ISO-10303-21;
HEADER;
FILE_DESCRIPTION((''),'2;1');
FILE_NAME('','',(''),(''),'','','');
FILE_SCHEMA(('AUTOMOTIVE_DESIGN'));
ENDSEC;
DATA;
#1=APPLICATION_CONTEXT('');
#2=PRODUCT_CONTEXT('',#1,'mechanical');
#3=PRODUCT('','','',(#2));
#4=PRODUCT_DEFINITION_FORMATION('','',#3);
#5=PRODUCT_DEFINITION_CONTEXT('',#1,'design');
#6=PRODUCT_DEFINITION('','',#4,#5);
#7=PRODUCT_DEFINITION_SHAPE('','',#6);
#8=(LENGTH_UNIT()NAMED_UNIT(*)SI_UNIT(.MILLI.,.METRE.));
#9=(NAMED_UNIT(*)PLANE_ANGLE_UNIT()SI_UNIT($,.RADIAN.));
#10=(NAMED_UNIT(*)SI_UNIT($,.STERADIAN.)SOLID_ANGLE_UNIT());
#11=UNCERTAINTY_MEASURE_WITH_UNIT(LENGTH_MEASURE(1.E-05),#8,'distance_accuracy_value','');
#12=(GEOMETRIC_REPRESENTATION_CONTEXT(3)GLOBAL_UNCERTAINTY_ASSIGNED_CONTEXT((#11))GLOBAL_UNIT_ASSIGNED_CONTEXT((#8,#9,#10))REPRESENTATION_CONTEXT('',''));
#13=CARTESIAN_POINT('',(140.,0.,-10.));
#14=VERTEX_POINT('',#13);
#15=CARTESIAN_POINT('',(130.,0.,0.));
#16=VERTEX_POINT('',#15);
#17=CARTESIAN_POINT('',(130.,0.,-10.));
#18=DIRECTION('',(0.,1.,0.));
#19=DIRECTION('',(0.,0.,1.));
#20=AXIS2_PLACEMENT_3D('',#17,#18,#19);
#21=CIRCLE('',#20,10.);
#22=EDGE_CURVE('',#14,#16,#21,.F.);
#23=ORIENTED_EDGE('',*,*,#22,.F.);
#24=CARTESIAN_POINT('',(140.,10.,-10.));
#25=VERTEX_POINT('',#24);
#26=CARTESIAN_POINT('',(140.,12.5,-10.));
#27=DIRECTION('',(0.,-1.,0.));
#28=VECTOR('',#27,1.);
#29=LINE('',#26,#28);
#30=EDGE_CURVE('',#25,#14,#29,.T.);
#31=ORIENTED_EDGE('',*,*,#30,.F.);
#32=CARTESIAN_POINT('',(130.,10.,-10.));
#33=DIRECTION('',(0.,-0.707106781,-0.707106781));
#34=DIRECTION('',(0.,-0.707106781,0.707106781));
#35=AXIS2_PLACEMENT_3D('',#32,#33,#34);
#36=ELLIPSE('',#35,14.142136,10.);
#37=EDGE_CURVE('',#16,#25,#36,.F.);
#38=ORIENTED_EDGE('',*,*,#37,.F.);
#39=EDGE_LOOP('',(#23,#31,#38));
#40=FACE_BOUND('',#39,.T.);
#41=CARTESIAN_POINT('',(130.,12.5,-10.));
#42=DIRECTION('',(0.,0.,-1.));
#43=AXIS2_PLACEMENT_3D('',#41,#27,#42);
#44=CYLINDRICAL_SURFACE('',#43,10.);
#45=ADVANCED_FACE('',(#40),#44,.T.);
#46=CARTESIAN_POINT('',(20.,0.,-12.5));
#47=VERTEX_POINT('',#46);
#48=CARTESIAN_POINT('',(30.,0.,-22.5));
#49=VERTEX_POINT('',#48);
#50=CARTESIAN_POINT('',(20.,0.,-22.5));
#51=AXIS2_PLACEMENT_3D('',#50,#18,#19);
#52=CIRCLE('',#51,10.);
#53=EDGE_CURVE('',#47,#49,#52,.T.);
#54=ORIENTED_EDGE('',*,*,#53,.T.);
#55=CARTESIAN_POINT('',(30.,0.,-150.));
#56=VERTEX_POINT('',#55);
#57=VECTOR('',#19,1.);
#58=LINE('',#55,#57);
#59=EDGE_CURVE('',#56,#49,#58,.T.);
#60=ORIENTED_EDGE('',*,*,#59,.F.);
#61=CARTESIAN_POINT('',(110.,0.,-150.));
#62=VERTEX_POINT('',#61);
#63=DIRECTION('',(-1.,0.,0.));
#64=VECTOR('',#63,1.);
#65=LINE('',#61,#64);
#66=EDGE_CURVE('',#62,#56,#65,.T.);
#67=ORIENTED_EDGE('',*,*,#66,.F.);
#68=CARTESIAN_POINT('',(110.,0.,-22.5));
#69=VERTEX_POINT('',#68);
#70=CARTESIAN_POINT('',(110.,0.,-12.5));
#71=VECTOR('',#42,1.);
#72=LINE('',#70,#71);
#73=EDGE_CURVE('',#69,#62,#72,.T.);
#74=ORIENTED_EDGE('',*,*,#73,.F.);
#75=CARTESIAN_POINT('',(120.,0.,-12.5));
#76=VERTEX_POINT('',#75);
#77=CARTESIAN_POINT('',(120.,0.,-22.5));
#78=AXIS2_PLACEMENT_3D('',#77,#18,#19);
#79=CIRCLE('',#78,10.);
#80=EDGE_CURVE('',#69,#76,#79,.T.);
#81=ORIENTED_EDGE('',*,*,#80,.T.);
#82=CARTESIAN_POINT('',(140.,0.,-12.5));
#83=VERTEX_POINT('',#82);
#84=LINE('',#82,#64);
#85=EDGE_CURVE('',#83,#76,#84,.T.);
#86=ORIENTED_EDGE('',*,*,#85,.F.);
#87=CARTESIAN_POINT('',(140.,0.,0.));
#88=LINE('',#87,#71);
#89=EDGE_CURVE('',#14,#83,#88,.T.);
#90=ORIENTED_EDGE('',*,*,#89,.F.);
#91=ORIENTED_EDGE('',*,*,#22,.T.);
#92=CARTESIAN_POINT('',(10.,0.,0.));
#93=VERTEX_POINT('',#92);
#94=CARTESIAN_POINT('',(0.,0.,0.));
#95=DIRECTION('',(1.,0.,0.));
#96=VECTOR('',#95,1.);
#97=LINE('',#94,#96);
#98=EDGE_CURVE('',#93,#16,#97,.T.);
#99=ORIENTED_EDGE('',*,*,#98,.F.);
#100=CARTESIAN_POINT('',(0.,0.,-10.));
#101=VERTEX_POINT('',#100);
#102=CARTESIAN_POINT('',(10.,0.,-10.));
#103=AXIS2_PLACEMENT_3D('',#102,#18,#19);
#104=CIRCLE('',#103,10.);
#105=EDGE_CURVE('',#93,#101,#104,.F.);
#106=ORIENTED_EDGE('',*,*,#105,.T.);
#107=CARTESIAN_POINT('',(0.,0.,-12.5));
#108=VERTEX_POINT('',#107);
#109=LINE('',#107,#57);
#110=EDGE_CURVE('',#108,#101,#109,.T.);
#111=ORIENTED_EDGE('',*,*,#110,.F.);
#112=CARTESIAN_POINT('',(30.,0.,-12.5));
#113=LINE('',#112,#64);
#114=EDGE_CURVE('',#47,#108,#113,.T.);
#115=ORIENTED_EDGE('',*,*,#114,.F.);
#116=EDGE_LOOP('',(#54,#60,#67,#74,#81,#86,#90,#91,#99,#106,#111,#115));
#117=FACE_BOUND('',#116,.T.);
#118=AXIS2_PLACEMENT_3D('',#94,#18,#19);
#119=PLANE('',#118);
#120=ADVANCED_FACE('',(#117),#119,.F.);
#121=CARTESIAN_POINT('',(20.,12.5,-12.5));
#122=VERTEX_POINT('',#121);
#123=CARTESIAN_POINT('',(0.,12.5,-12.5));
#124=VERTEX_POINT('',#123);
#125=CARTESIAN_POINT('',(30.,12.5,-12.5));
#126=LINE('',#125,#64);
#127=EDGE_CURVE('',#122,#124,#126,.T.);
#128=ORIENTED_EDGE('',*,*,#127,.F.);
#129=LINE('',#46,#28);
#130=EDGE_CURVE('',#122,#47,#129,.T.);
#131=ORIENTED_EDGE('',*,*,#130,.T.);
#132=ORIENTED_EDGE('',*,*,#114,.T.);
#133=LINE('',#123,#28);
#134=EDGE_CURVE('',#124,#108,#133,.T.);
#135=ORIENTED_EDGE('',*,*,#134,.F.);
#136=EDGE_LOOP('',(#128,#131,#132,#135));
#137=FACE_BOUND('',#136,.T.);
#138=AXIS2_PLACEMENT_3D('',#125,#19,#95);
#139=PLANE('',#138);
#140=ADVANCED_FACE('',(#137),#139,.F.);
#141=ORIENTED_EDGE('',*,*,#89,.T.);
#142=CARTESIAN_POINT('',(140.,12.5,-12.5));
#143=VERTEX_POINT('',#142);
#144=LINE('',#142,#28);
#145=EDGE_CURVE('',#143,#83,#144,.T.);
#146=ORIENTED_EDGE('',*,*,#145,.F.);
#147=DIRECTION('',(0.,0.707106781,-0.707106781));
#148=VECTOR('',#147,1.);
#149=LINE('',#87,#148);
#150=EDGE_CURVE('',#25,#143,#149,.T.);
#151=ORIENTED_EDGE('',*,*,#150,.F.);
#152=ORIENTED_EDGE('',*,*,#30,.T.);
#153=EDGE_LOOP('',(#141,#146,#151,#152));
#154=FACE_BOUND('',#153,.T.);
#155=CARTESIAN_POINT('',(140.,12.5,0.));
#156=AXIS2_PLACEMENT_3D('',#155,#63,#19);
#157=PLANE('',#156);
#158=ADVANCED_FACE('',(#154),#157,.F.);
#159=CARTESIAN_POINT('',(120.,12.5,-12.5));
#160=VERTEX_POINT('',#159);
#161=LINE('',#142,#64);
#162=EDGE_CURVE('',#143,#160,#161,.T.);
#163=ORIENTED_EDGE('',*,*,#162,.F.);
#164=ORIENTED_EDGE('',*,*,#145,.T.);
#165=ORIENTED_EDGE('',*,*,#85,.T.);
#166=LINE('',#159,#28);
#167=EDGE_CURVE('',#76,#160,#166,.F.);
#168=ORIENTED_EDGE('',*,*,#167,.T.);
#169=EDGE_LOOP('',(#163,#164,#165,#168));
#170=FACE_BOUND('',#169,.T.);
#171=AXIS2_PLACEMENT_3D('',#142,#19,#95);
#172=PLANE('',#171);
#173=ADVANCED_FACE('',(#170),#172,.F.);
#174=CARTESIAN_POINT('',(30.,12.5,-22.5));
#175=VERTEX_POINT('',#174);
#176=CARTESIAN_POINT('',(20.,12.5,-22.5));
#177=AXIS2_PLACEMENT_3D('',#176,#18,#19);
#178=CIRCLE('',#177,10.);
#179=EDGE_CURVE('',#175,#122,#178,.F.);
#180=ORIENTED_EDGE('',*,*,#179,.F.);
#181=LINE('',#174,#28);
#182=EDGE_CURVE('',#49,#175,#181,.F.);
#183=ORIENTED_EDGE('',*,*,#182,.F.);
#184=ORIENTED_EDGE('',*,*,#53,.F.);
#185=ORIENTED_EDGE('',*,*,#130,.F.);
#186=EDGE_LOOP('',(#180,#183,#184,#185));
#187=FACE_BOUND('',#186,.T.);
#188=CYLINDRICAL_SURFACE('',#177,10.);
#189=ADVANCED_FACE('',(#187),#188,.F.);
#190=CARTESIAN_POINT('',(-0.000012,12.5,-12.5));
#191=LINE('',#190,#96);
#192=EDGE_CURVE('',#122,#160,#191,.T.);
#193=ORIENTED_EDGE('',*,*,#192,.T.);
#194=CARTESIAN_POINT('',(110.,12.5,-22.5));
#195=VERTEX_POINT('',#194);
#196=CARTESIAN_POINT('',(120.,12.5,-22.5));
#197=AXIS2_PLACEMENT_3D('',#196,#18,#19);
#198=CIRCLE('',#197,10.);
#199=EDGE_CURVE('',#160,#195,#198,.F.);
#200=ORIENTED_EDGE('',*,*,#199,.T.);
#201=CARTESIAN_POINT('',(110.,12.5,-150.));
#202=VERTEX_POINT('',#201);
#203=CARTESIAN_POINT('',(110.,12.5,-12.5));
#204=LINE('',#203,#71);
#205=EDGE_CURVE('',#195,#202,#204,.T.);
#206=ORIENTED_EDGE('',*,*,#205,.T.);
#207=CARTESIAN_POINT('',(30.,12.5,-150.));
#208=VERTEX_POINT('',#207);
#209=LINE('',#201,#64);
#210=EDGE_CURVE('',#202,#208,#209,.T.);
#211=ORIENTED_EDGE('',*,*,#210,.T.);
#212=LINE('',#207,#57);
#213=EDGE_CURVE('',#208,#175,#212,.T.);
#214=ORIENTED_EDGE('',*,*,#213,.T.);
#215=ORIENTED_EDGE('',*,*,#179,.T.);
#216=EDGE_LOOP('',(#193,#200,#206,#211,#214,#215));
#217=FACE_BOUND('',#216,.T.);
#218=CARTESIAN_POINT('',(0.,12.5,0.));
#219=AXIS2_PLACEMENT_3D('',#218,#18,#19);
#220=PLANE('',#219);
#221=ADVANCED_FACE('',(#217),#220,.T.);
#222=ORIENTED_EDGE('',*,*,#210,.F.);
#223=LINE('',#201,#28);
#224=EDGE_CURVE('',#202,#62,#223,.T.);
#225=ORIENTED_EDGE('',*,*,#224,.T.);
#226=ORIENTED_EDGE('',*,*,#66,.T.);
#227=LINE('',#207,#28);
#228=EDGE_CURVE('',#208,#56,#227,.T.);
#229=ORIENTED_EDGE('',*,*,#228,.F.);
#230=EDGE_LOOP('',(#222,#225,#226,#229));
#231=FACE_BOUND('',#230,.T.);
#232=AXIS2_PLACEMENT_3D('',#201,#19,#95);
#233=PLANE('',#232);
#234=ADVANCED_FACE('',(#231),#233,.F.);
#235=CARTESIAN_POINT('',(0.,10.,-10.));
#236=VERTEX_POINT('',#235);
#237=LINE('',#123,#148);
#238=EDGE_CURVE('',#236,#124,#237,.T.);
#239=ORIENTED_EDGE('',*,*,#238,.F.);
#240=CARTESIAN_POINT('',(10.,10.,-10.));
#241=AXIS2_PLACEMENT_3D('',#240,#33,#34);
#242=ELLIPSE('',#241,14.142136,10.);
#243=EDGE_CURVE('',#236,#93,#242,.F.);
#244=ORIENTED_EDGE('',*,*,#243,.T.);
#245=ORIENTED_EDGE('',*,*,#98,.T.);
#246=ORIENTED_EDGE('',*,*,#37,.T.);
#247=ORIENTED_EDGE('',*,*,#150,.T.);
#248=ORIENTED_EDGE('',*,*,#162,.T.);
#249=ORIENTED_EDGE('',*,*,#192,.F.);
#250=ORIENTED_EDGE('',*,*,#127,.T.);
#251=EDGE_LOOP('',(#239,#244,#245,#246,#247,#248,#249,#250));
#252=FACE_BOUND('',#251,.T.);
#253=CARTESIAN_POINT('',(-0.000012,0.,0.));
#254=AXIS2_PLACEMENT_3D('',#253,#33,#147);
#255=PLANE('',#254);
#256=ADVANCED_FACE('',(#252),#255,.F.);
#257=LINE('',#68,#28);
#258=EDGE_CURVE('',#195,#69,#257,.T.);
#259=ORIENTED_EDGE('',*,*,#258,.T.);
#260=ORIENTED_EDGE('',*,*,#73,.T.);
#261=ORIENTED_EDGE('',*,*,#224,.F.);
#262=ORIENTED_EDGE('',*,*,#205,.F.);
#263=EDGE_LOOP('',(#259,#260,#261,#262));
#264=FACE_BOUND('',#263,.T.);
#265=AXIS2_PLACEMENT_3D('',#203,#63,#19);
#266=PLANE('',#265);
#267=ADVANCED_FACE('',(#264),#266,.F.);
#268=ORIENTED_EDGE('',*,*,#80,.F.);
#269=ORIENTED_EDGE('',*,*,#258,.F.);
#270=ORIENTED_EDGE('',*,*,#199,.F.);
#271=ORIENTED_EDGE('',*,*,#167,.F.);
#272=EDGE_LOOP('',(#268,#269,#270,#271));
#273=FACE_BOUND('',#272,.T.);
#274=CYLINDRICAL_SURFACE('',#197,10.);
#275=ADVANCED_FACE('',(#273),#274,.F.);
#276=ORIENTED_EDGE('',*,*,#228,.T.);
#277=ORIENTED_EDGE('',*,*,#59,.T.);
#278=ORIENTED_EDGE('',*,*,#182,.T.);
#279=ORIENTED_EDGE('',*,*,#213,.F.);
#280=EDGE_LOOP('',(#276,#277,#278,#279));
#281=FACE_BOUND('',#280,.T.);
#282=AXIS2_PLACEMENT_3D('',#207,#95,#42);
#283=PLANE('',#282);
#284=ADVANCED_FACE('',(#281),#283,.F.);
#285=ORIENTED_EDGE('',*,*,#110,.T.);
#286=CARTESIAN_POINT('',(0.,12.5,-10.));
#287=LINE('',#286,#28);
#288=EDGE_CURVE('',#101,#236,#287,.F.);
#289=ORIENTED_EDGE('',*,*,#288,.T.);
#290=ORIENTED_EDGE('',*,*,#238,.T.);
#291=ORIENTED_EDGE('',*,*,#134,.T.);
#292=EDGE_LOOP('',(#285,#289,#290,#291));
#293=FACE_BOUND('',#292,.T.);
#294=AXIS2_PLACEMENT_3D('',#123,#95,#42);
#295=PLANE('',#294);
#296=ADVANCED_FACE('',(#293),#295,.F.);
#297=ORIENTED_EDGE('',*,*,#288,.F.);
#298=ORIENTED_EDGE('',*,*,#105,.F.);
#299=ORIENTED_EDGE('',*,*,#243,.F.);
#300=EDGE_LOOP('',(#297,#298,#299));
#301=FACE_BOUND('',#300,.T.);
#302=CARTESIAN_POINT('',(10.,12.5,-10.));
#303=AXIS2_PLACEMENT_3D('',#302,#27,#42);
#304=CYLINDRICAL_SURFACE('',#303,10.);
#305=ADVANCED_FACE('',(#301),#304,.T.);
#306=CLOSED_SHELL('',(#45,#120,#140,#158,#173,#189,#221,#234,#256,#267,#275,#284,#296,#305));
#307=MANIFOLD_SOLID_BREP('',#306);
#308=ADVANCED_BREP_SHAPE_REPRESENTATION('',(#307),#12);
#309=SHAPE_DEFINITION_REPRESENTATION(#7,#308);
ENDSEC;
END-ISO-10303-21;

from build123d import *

# Parameters (mm, degrees)
BOSS_EXTRUDE1_DEPTH     = 12.5
FILLET1_R               = 10
CUT_EXTRUDE1_DEPTH      = 206.563250607
CUT_EXTRUDE1_DEPTH_BACK = 206.563250607
FILLET5_R               = 10


with BuildPart() as part:
    # Sketch1 → Boss-Extrude1 (new body)
    with BuildSketch(Plane(origin=(0, 0, 0), x_dir=(1, 0, 0), z_dir=(0, 1, 0))):
        Polygon((0, 0), (140, 0), (140, 12.5), (110, 12.5), (110, 150), (30, 150), (30, 12.5), (0, 12.5), align=None)
    extrude(amount=BOSS_EXTRUDE1_DEPTH)

    # Fillet1
    fillet1_edges = [part.edges().sort_by_distance(p)[0] for p in [
        (140, 6.25, 0),
        (0, 6.25, 0),
    ]]
    fillet(fillet1_edges, radius=FILLET1_R)

    # Sketch3 → Cut-Extrude1 (cut, two sides: drawn at the far end of the back side and taken through both)
    with BuildSketch(Plane(origin=(0, 0, 0), x_dir=(0, 0, -1), z_dir=(1, 0, 0)).offset(-CUT_EXTRUDE1_DEPTH_BACK)):
        Polygon((0, 0), (12.5, 12.5), (0, 12.5), align=None)
    extrude(amount=CUT_EXTRUDE1_DEPTH + CUT_EXTRUDE1_DEPTH_BACK, mode=Mode.SUBTRACT)

    # Fillet5
    fillet5_edges = [part.edges().sort_by_distance(p)[0] for p in [
        (30, 6.25, -12.5),
        (110, 6.25, -12.5),
    ]]
    fillet(fillet5_edges, radius=FILLET5_R)


solid = part.part
